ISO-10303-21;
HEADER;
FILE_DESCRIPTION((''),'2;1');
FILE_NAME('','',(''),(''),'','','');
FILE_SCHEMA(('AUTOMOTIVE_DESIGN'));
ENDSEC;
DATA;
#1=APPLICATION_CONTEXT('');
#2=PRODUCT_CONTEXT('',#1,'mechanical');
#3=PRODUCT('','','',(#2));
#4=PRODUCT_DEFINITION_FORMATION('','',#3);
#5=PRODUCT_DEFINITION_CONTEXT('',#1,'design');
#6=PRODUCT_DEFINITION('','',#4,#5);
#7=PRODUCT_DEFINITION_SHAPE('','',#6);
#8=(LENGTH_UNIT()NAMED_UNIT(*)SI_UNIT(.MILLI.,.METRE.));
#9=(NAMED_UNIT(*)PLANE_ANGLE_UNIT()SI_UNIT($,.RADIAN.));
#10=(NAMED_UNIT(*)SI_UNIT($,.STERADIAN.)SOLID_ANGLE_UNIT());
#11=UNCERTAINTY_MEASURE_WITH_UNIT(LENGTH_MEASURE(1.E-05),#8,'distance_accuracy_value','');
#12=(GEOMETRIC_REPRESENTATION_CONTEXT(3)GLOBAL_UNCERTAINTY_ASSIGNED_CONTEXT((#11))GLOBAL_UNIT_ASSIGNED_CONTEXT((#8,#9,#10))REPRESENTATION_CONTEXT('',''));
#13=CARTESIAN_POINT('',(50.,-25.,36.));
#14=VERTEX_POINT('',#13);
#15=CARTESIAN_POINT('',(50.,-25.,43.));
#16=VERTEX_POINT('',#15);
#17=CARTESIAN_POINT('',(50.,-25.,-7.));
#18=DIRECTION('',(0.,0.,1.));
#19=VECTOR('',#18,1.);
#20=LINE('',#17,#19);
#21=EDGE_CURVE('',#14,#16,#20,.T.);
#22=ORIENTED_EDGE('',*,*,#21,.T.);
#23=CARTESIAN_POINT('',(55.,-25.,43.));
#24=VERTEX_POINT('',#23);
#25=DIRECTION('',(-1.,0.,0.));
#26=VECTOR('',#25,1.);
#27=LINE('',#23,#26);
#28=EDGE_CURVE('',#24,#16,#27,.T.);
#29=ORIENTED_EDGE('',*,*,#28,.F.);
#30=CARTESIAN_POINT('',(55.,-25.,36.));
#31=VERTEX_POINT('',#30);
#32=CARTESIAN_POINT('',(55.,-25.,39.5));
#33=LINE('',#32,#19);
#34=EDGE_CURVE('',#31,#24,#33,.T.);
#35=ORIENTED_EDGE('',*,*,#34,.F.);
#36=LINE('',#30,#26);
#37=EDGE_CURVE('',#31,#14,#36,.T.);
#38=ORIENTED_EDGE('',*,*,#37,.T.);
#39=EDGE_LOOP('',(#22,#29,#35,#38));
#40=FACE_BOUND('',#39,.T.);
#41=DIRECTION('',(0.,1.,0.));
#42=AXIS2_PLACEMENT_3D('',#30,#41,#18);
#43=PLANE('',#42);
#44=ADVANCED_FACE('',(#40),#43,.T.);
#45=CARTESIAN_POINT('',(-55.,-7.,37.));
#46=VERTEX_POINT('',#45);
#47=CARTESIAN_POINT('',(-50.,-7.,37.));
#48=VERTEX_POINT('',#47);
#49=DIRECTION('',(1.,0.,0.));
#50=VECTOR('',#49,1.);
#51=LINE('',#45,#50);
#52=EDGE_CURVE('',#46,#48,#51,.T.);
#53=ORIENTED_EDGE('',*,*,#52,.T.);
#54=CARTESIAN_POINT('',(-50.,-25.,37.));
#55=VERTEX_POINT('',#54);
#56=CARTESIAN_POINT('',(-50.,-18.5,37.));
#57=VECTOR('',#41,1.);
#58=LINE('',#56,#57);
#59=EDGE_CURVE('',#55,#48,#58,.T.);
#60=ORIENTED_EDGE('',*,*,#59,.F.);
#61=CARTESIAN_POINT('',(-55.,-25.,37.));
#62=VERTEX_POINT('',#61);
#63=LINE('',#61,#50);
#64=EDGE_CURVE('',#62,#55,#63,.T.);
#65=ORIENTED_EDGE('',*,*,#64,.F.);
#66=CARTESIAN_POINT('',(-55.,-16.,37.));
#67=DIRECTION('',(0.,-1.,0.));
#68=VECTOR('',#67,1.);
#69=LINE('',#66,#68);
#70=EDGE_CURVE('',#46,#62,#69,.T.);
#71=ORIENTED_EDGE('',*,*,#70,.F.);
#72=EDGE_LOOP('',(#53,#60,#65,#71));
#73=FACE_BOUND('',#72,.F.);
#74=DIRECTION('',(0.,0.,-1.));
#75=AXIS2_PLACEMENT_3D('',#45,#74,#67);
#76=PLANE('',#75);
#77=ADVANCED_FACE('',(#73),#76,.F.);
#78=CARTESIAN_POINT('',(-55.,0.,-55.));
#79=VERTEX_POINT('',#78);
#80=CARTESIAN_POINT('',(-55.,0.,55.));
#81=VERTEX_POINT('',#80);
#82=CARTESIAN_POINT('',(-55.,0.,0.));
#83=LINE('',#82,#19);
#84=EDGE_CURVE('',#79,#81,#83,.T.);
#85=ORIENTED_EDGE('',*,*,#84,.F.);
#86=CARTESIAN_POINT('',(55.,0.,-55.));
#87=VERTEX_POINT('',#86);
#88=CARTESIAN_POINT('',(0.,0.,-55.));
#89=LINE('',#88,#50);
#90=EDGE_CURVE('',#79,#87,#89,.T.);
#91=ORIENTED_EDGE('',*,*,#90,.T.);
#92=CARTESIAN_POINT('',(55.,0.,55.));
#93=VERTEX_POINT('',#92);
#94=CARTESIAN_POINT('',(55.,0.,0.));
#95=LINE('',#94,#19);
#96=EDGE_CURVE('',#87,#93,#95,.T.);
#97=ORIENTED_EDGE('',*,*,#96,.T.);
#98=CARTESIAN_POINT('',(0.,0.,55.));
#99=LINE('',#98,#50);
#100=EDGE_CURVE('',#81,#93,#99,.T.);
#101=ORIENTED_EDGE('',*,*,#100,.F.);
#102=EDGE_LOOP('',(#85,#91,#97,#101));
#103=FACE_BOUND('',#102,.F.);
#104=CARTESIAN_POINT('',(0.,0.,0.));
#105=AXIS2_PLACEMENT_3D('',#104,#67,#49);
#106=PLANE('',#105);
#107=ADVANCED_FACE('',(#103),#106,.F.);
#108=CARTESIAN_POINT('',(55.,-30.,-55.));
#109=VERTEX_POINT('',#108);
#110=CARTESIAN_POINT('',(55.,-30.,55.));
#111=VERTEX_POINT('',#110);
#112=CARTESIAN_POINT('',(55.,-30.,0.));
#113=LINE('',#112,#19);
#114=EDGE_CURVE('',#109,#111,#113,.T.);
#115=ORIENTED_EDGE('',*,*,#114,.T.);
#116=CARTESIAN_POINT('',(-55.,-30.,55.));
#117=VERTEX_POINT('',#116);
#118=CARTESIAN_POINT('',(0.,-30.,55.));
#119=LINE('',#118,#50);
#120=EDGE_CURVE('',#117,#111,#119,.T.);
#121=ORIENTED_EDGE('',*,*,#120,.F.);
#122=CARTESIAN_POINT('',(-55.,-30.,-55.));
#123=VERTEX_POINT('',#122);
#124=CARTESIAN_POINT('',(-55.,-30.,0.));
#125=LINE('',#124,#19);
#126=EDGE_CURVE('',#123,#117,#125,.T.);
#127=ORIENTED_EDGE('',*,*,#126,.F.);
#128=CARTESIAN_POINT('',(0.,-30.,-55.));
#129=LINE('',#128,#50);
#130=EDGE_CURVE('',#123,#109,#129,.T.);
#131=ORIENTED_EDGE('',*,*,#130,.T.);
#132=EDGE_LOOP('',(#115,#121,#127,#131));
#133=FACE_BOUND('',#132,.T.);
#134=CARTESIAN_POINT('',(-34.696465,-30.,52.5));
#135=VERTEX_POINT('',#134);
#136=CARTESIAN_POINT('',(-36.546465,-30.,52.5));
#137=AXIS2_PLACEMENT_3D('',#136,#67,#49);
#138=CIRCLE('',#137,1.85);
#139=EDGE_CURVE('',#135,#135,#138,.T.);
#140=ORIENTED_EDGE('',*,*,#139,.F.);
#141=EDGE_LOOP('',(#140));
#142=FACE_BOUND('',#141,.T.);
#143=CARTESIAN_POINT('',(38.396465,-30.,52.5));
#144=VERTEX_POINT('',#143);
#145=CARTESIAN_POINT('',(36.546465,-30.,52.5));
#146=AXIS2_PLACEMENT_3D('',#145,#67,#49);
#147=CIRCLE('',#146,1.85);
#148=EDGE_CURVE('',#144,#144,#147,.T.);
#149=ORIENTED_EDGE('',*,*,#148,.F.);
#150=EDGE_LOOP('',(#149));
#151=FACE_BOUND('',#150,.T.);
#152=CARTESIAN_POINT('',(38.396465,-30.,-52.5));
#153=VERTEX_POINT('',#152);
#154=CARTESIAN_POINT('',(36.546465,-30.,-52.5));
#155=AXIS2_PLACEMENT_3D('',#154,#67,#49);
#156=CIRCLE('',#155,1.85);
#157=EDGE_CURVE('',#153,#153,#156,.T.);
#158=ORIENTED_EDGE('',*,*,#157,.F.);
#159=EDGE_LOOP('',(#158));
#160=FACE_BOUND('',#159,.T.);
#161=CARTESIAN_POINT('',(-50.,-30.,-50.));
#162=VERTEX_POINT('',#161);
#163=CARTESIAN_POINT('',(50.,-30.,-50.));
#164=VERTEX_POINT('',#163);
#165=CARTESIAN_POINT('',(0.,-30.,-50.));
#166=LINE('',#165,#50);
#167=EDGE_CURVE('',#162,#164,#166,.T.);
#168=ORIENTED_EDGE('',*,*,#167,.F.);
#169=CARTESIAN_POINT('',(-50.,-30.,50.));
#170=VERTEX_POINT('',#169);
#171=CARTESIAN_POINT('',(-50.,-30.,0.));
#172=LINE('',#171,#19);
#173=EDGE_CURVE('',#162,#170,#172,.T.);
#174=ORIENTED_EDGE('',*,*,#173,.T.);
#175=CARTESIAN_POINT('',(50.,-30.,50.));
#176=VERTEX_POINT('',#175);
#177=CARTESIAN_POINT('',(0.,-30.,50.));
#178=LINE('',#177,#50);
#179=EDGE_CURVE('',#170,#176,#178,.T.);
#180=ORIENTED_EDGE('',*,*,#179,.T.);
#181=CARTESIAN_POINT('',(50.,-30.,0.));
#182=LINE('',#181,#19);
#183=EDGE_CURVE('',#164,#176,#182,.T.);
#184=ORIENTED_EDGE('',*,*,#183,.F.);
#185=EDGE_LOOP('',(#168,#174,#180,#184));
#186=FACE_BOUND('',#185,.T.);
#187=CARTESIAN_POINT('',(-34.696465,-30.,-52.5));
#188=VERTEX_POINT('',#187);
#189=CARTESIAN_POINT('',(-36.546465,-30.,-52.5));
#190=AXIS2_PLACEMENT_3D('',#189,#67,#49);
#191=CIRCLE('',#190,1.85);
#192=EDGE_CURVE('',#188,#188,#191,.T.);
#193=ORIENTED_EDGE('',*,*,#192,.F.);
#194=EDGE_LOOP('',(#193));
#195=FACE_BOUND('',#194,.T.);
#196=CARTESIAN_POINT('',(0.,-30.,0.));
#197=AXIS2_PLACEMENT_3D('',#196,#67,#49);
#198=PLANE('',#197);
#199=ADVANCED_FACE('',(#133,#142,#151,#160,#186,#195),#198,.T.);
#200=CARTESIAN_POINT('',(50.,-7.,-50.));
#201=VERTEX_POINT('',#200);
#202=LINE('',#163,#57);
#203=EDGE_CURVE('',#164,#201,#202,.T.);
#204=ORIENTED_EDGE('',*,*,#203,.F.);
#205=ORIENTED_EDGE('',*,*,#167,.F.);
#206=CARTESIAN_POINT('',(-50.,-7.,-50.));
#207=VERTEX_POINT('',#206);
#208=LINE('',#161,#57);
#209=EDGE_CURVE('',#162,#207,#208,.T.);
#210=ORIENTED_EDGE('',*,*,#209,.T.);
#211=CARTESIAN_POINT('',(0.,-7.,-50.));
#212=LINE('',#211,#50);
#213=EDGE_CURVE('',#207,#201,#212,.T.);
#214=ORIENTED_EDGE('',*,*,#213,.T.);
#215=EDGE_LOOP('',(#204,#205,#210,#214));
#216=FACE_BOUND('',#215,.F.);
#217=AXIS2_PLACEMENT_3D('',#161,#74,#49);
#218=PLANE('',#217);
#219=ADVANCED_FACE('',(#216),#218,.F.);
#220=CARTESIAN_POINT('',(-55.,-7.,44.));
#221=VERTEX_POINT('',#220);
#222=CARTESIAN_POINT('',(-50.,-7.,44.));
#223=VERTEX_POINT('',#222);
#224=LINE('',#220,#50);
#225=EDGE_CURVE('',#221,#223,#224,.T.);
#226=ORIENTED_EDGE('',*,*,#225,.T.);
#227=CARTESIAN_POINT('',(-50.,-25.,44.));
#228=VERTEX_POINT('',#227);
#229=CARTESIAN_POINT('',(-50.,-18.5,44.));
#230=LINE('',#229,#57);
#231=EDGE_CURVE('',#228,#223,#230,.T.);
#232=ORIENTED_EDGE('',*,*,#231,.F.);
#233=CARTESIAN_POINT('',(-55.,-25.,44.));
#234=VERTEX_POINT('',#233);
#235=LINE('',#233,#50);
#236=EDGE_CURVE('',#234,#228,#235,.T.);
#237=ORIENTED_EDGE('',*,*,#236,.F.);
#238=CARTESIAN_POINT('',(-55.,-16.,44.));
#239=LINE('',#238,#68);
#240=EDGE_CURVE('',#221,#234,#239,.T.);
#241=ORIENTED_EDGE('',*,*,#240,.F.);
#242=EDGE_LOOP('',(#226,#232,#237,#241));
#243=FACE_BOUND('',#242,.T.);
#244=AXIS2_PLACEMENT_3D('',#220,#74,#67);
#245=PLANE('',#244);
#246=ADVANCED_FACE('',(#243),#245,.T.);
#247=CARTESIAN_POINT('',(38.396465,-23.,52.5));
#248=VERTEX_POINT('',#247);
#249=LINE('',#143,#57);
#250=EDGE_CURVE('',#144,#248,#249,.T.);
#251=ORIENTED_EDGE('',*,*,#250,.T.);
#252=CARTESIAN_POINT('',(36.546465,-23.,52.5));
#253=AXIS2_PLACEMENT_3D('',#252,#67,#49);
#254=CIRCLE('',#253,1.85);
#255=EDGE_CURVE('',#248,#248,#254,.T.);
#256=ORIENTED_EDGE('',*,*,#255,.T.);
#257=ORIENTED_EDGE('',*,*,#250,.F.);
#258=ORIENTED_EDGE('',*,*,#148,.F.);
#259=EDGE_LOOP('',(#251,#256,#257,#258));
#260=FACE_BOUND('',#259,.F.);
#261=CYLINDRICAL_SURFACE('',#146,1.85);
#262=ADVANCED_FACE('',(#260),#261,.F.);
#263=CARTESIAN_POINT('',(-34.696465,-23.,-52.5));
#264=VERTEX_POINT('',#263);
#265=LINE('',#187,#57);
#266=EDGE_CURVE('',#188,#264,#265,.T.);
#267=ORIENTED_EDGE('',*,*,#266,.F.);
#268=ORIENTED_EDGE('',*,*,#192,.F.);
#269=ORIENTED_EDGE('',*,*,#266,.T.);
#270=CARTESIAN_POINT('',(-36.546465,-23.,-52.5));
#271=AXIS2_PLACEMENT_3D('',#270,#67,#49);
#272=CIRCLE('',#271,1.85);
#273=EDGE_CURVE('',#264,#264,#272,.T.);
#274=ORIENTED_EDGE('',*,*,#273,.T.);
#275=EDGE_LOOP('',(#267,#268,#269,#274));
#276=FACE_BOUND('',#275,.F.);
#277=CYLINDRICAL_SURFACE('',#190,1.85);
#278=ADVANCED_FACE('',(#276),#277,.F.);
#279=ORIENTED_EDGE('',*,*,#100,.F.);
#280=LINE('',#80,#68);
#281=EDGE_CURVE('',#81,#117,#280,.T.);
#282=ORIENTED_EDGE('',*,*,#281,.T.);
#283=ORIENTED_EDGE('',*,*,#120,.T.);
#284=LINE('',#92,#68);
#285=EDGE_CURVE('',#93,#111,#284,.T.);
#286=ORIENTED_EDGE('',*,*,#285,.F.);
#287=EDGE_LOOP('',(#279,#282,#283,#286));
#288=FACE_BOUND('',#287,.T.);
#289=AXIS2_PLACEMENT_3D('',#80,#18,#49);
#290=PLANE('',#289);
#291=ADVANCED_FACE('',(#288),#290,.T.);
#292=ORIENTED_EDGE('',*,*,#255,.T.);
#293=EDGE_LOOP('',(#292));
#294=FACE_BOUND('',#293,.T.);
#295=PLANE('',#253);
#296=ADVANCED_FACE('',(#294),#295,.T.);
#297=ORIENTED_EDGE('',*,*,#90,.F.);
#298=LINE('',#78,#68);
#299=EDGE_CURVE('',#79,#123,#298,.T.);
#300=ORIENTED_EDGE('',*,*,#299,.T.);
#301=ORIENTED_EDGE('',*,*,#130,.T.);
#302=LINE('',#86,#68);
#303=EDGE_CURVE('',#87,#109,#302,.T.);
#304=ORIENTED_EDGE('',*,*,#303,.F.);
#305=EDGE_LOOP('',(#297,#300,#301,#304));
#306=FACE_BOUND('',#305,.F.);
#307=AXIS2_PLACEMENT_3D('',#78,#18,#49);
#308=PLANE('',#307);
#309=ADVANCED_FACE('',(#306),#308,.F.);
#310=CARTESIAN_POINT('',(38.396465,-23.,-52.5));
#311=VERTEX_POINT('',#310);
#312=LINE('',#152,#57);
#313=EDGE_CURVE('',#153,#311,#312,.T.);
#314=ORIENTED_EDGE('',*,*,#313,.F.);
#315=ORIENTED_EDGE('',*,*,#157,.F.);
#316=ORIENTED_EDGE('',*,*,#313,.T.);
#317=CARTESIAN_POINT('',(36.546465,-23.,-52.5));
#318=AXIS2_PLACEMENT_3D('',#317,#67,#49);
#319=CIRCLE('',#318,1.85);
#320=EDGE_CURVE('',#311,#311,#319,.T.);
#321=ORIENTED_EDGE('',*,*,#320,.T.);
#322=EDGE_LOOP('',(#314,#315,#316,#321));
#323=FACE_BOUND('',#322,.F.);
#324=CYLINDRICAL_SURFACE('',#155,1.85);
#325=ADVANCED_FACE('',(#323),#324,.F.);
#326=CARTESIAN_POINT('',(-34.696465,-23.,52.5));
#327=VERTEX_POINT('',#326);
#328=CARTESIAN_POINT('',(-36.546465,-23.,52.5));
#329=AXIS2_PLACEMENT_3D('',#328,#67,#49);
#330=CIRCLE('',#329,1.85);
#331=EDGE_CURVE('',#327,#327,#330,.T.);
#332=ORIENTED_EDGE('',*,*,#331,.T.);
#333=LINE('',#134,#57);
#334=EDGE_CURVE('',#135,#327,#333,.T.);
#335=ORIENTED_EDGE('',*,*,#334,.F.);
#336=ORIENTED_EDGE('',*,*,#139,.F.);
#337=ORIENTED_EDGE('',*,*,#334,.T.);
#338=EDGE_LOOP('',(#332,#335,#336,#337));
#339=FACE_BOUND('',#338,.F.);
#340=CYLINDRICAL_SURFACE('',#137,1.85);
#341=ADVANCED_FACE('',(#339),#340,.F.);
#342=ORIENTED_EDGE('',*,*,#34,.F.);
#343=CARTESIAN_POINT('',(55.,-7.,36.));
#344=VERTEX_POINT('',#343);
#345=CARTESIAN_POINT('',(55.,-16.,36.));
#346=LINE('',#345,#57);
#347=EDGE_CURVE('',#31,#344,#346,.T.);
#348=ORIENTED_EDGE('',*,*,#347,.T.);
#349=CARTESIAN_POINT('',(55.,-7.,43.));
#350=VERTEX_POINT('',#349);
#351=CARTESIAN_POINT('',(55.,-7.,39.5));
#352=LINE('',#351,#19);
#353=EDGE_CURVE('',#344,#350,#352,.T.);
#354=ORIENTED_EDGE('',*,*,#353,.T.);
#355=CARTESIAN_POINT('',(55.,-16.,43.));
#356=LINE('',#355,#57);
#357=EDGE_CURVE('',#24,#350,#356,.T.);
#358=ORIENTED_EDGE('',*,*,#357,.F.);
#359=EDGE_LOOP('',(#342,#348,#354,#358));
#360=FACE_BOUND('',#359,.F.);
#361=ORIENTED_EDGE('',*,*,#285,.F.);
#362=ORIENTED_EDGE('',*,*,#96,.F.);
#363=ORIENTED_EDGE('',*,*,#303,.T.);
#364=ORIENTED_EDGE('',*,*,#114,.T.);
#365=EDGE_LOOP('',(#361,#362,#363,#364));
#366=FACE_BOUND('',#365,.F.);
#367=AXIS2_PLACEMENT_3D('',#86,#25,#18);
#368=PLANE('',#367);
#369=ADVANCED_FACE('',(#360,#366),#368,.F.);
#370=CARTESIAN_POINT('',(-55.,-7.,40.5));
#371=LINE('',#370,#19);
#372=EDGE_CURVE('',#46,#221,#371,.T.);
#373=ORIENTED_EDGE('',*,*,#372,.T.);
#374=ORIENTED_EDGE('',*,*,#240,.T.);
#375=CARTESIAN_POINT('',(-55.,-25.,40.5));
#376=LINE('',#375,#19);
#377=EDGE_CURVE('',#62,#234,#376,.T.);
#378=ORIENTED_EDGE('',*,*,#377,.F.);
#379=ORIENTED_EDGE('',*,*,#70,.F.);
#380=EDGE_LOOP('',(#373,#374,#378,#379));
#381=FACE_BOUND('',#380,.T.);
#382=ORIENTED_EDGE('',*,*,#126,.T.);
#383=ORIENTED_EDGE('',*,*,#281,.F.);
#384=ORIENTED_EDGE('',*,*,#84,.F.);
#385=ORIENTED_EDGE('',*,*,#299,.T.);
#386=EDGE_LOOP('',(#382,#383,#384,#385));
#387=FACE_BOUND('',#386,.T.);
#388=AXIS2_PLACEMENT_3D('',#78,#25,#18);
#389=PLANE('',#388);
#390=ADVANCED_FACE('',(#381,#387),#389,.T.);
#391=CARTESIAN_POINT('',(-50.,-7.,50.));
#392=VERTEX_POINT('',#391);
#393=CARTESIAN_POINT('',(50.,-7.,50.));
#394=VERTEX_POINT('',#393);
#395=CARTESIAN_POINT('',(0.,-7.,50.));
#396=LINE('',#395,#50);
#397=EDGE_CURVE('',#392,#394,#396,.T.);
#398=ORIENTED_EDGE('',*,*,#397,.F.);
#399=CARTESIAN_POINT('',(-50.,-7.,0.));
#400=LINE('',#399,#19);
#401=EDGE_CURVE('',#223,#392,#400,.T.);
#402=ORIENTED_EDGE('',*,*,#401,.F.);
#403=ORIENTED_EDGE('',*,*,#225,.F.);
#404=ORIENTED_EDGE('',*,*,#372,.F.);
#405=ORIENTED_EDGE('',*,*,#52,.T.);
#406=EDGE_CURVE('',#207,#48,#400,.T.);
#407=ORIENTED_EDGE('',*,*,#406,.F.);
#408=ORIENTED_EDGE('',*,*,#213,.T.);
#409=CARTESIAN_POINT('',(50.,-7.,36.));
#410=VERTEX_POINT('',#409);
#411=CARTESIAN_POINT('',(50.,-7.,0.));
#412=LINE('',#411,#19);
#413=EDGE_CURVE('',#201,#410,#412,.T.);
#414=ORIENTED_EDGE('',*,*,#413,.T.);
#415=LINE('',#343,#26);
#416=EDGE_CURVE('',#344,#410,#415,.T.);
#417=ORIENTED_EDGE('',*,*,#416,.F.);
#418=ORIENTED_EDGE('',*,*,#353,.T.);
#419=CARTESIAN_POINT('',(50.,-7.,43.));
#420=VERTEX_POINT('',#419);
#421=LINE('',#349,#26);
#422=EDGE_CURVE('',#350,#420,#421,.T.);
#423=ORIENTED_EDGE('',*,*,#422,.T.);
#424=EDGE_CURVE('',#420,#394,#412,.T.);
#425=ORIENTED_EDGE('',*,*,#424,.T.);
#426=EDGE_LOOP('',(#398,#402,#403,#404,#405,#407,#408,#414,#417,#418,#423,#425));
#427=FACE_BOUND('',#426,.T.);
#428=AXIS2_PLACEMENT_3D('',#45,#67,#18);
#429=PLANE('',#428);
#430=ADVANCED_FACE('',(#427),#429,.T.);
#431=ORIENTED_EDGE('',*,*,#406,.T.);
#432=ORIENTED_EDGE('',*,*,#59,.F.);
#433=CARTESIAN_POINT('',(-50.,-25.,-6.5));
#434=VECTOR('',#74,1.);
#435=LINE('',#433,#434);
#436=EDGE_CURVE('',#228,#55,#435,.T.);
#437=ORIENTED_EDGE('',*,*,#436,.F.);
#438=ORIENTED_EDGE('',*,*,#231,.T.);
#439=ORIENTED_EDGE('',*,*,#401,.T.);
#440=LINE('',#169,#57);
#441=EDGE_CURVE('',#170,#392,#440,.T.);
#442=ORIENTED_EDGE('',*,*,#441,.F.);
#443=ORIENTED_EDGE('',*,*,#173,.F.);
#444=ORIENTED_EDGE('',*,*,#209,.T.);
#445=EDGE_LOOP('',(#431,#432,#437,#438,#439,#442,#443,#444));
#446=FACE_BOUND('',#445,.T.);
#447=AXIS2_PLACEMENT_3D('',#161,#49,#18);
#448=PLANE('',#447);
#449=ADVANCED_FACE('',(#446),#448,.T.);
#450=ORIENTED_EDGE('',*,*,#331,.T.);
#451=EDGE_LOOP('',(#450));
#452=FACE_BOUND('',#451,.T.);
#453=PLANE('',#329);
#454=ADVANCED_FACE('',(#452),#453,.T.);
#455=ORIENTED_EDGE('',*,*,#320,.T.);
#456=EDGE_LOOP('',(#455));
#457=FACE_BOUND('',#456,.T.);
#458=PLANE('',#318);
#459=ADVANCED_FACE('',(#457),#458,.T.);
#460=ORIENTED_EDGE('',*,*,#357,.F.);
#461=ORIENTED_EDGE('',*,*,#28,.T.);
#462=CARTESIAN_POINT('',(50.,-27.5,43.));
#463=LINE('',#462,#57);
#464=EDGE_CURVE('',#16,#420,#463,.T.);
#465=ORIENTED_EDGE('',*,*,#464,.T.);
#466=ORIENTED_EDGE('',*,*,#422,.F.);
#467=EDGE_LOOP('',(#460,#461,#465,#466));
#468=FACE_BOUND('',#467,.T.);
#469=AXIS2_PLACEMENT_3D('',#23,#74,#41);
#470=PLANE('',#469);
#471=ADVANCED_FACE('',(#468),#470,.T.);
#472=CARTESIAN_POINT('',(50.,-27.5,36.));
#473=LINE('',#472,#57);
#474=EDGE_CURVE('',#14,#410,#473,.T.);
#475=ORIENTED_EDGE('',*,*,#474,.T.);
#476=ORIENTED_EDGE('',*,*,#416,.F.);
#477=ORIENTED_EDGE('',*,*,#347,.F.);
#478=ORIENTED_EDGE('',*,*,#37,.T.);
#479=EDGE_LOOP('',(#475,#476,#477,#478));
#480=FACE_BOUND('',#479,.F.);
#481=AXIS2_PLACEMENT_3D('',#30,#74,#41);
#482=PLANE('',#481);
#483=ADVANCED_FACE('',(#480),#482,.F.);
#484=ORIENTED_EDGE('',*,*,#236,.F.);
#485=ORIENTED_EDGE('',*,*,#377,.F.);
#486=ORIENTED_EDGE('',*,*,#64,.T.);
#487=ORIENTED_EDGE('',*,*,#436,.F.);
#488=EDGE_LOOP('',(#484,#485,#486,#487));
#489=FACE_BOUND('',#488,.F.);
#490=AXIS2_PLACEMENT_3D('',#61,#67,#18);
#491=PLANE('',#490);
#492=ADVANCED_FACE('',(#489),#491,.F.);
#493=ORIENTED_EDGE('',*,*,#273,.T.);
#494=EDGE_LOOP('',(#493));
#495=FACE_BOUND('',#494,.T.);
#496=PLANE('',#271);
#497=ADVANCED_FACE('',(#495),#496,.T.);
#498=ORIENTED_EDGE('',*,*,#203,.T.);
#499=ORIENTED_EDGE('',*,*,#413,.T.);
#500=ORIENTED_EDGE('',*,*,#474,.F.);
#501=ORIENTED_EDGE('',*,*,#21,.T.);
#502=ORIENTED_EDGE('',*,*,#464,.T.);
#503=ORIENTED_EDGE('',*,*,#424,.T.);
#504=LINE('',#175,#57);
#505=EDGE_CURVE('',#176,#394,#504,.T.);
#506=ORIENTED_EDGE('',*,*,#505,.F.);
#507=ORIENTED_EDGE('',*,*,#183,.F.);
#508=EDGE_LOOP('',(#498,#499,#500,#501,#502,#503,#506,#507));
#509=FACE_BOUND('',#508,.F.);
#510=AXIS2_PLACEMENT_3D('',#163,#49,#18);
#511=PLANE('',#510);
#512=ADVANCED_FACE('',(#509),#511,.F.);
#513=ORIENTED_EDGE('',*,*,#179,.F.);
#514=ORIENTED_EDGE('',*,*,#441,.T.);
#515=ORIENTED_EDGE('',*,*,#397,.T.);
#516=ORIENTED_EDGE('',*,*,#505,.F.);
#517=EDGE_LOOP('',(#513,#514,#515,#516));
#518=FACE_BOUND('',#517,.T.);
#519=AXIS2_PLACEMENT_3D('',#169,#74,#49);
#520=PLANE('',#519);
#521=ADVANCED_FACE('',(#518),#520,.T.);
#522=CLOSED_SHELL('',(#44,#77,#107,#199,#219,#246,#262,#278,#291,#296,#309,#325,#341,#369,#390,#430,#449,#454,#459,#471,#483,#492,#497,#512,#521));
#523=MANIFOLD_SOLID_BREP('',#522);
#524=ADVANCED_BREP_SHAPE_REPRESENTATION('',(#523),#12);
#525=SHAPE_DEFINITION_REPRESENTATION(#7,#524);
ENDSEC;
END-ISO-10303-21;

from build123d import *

# Parameters (mm, degrees)
F0_W     = 110
F0_H     = 110
F1_DEPTH = 30
F2_W     = 100
F2_H     = 100
F3_DEPTH = 23
F4_W     = 18
F4_H     = 7
F5_DEPTH = 10
F6_W     = 18
F6_H     = 7
F7_DEPTH = 10
F8_R     = 1.85
F9_DEPTH = 7


with BuildPart() as f1:
    # F0 (on Front) → F1 (new body)
    with BuildSketch(Plane.XZ):
        Rectangle(F0_W, F0_H)
    extrude(amount=F1_DEPTH)

    # F2 (on face) → F3 (cut)
    with BuildSketch(Plane.XZ.offset(30)):
        Rectangle(F2_W, F2_H)
    extrude(amount=-F3_DEPTH, mode=Mode.SUBTRACT)

    # F4 (on face) → F5 (cut)
    with BuildSketch(Plane.YZ.offset(55)):
        with Locations((-16, 39.5)):
            Rectangle(F4_W, F4_H)
    extrude(amount=-F5_DEPTH, mode=Mode.SUBTRACT)

    # F6 (on face) → F7 (cut)
    with BuildSketch(Plane(origin=(-55, 0, 0), x_dir=(0, -1, 0), z_dir=(-1, 0, 0))):
        with Locations((16, 40.5)):
            Rectangle(F6_W, F6_H)
    extrude(amount=-F7_DEPTH, mode=Mode.SUBTRACT)

    # F8 (on face) → F9 (cut)
    with BuildSketch(Plane.XZ.offset(30)):
        with Locations((-36.546465, 52.5)):
            Circle(F8_R)
        with Locations((36.546465, 52.5)):
            Circle(F8_R)
        with Locations((-36.546465, -52.5)):
            Circle(F8_R)
        with Locations((36.546465, -52.5)):
            Circle(F8_R)
    extrude(amount=-F9_DEPTH, mode=Mode.SUBTRACT)


solid = f1.part
